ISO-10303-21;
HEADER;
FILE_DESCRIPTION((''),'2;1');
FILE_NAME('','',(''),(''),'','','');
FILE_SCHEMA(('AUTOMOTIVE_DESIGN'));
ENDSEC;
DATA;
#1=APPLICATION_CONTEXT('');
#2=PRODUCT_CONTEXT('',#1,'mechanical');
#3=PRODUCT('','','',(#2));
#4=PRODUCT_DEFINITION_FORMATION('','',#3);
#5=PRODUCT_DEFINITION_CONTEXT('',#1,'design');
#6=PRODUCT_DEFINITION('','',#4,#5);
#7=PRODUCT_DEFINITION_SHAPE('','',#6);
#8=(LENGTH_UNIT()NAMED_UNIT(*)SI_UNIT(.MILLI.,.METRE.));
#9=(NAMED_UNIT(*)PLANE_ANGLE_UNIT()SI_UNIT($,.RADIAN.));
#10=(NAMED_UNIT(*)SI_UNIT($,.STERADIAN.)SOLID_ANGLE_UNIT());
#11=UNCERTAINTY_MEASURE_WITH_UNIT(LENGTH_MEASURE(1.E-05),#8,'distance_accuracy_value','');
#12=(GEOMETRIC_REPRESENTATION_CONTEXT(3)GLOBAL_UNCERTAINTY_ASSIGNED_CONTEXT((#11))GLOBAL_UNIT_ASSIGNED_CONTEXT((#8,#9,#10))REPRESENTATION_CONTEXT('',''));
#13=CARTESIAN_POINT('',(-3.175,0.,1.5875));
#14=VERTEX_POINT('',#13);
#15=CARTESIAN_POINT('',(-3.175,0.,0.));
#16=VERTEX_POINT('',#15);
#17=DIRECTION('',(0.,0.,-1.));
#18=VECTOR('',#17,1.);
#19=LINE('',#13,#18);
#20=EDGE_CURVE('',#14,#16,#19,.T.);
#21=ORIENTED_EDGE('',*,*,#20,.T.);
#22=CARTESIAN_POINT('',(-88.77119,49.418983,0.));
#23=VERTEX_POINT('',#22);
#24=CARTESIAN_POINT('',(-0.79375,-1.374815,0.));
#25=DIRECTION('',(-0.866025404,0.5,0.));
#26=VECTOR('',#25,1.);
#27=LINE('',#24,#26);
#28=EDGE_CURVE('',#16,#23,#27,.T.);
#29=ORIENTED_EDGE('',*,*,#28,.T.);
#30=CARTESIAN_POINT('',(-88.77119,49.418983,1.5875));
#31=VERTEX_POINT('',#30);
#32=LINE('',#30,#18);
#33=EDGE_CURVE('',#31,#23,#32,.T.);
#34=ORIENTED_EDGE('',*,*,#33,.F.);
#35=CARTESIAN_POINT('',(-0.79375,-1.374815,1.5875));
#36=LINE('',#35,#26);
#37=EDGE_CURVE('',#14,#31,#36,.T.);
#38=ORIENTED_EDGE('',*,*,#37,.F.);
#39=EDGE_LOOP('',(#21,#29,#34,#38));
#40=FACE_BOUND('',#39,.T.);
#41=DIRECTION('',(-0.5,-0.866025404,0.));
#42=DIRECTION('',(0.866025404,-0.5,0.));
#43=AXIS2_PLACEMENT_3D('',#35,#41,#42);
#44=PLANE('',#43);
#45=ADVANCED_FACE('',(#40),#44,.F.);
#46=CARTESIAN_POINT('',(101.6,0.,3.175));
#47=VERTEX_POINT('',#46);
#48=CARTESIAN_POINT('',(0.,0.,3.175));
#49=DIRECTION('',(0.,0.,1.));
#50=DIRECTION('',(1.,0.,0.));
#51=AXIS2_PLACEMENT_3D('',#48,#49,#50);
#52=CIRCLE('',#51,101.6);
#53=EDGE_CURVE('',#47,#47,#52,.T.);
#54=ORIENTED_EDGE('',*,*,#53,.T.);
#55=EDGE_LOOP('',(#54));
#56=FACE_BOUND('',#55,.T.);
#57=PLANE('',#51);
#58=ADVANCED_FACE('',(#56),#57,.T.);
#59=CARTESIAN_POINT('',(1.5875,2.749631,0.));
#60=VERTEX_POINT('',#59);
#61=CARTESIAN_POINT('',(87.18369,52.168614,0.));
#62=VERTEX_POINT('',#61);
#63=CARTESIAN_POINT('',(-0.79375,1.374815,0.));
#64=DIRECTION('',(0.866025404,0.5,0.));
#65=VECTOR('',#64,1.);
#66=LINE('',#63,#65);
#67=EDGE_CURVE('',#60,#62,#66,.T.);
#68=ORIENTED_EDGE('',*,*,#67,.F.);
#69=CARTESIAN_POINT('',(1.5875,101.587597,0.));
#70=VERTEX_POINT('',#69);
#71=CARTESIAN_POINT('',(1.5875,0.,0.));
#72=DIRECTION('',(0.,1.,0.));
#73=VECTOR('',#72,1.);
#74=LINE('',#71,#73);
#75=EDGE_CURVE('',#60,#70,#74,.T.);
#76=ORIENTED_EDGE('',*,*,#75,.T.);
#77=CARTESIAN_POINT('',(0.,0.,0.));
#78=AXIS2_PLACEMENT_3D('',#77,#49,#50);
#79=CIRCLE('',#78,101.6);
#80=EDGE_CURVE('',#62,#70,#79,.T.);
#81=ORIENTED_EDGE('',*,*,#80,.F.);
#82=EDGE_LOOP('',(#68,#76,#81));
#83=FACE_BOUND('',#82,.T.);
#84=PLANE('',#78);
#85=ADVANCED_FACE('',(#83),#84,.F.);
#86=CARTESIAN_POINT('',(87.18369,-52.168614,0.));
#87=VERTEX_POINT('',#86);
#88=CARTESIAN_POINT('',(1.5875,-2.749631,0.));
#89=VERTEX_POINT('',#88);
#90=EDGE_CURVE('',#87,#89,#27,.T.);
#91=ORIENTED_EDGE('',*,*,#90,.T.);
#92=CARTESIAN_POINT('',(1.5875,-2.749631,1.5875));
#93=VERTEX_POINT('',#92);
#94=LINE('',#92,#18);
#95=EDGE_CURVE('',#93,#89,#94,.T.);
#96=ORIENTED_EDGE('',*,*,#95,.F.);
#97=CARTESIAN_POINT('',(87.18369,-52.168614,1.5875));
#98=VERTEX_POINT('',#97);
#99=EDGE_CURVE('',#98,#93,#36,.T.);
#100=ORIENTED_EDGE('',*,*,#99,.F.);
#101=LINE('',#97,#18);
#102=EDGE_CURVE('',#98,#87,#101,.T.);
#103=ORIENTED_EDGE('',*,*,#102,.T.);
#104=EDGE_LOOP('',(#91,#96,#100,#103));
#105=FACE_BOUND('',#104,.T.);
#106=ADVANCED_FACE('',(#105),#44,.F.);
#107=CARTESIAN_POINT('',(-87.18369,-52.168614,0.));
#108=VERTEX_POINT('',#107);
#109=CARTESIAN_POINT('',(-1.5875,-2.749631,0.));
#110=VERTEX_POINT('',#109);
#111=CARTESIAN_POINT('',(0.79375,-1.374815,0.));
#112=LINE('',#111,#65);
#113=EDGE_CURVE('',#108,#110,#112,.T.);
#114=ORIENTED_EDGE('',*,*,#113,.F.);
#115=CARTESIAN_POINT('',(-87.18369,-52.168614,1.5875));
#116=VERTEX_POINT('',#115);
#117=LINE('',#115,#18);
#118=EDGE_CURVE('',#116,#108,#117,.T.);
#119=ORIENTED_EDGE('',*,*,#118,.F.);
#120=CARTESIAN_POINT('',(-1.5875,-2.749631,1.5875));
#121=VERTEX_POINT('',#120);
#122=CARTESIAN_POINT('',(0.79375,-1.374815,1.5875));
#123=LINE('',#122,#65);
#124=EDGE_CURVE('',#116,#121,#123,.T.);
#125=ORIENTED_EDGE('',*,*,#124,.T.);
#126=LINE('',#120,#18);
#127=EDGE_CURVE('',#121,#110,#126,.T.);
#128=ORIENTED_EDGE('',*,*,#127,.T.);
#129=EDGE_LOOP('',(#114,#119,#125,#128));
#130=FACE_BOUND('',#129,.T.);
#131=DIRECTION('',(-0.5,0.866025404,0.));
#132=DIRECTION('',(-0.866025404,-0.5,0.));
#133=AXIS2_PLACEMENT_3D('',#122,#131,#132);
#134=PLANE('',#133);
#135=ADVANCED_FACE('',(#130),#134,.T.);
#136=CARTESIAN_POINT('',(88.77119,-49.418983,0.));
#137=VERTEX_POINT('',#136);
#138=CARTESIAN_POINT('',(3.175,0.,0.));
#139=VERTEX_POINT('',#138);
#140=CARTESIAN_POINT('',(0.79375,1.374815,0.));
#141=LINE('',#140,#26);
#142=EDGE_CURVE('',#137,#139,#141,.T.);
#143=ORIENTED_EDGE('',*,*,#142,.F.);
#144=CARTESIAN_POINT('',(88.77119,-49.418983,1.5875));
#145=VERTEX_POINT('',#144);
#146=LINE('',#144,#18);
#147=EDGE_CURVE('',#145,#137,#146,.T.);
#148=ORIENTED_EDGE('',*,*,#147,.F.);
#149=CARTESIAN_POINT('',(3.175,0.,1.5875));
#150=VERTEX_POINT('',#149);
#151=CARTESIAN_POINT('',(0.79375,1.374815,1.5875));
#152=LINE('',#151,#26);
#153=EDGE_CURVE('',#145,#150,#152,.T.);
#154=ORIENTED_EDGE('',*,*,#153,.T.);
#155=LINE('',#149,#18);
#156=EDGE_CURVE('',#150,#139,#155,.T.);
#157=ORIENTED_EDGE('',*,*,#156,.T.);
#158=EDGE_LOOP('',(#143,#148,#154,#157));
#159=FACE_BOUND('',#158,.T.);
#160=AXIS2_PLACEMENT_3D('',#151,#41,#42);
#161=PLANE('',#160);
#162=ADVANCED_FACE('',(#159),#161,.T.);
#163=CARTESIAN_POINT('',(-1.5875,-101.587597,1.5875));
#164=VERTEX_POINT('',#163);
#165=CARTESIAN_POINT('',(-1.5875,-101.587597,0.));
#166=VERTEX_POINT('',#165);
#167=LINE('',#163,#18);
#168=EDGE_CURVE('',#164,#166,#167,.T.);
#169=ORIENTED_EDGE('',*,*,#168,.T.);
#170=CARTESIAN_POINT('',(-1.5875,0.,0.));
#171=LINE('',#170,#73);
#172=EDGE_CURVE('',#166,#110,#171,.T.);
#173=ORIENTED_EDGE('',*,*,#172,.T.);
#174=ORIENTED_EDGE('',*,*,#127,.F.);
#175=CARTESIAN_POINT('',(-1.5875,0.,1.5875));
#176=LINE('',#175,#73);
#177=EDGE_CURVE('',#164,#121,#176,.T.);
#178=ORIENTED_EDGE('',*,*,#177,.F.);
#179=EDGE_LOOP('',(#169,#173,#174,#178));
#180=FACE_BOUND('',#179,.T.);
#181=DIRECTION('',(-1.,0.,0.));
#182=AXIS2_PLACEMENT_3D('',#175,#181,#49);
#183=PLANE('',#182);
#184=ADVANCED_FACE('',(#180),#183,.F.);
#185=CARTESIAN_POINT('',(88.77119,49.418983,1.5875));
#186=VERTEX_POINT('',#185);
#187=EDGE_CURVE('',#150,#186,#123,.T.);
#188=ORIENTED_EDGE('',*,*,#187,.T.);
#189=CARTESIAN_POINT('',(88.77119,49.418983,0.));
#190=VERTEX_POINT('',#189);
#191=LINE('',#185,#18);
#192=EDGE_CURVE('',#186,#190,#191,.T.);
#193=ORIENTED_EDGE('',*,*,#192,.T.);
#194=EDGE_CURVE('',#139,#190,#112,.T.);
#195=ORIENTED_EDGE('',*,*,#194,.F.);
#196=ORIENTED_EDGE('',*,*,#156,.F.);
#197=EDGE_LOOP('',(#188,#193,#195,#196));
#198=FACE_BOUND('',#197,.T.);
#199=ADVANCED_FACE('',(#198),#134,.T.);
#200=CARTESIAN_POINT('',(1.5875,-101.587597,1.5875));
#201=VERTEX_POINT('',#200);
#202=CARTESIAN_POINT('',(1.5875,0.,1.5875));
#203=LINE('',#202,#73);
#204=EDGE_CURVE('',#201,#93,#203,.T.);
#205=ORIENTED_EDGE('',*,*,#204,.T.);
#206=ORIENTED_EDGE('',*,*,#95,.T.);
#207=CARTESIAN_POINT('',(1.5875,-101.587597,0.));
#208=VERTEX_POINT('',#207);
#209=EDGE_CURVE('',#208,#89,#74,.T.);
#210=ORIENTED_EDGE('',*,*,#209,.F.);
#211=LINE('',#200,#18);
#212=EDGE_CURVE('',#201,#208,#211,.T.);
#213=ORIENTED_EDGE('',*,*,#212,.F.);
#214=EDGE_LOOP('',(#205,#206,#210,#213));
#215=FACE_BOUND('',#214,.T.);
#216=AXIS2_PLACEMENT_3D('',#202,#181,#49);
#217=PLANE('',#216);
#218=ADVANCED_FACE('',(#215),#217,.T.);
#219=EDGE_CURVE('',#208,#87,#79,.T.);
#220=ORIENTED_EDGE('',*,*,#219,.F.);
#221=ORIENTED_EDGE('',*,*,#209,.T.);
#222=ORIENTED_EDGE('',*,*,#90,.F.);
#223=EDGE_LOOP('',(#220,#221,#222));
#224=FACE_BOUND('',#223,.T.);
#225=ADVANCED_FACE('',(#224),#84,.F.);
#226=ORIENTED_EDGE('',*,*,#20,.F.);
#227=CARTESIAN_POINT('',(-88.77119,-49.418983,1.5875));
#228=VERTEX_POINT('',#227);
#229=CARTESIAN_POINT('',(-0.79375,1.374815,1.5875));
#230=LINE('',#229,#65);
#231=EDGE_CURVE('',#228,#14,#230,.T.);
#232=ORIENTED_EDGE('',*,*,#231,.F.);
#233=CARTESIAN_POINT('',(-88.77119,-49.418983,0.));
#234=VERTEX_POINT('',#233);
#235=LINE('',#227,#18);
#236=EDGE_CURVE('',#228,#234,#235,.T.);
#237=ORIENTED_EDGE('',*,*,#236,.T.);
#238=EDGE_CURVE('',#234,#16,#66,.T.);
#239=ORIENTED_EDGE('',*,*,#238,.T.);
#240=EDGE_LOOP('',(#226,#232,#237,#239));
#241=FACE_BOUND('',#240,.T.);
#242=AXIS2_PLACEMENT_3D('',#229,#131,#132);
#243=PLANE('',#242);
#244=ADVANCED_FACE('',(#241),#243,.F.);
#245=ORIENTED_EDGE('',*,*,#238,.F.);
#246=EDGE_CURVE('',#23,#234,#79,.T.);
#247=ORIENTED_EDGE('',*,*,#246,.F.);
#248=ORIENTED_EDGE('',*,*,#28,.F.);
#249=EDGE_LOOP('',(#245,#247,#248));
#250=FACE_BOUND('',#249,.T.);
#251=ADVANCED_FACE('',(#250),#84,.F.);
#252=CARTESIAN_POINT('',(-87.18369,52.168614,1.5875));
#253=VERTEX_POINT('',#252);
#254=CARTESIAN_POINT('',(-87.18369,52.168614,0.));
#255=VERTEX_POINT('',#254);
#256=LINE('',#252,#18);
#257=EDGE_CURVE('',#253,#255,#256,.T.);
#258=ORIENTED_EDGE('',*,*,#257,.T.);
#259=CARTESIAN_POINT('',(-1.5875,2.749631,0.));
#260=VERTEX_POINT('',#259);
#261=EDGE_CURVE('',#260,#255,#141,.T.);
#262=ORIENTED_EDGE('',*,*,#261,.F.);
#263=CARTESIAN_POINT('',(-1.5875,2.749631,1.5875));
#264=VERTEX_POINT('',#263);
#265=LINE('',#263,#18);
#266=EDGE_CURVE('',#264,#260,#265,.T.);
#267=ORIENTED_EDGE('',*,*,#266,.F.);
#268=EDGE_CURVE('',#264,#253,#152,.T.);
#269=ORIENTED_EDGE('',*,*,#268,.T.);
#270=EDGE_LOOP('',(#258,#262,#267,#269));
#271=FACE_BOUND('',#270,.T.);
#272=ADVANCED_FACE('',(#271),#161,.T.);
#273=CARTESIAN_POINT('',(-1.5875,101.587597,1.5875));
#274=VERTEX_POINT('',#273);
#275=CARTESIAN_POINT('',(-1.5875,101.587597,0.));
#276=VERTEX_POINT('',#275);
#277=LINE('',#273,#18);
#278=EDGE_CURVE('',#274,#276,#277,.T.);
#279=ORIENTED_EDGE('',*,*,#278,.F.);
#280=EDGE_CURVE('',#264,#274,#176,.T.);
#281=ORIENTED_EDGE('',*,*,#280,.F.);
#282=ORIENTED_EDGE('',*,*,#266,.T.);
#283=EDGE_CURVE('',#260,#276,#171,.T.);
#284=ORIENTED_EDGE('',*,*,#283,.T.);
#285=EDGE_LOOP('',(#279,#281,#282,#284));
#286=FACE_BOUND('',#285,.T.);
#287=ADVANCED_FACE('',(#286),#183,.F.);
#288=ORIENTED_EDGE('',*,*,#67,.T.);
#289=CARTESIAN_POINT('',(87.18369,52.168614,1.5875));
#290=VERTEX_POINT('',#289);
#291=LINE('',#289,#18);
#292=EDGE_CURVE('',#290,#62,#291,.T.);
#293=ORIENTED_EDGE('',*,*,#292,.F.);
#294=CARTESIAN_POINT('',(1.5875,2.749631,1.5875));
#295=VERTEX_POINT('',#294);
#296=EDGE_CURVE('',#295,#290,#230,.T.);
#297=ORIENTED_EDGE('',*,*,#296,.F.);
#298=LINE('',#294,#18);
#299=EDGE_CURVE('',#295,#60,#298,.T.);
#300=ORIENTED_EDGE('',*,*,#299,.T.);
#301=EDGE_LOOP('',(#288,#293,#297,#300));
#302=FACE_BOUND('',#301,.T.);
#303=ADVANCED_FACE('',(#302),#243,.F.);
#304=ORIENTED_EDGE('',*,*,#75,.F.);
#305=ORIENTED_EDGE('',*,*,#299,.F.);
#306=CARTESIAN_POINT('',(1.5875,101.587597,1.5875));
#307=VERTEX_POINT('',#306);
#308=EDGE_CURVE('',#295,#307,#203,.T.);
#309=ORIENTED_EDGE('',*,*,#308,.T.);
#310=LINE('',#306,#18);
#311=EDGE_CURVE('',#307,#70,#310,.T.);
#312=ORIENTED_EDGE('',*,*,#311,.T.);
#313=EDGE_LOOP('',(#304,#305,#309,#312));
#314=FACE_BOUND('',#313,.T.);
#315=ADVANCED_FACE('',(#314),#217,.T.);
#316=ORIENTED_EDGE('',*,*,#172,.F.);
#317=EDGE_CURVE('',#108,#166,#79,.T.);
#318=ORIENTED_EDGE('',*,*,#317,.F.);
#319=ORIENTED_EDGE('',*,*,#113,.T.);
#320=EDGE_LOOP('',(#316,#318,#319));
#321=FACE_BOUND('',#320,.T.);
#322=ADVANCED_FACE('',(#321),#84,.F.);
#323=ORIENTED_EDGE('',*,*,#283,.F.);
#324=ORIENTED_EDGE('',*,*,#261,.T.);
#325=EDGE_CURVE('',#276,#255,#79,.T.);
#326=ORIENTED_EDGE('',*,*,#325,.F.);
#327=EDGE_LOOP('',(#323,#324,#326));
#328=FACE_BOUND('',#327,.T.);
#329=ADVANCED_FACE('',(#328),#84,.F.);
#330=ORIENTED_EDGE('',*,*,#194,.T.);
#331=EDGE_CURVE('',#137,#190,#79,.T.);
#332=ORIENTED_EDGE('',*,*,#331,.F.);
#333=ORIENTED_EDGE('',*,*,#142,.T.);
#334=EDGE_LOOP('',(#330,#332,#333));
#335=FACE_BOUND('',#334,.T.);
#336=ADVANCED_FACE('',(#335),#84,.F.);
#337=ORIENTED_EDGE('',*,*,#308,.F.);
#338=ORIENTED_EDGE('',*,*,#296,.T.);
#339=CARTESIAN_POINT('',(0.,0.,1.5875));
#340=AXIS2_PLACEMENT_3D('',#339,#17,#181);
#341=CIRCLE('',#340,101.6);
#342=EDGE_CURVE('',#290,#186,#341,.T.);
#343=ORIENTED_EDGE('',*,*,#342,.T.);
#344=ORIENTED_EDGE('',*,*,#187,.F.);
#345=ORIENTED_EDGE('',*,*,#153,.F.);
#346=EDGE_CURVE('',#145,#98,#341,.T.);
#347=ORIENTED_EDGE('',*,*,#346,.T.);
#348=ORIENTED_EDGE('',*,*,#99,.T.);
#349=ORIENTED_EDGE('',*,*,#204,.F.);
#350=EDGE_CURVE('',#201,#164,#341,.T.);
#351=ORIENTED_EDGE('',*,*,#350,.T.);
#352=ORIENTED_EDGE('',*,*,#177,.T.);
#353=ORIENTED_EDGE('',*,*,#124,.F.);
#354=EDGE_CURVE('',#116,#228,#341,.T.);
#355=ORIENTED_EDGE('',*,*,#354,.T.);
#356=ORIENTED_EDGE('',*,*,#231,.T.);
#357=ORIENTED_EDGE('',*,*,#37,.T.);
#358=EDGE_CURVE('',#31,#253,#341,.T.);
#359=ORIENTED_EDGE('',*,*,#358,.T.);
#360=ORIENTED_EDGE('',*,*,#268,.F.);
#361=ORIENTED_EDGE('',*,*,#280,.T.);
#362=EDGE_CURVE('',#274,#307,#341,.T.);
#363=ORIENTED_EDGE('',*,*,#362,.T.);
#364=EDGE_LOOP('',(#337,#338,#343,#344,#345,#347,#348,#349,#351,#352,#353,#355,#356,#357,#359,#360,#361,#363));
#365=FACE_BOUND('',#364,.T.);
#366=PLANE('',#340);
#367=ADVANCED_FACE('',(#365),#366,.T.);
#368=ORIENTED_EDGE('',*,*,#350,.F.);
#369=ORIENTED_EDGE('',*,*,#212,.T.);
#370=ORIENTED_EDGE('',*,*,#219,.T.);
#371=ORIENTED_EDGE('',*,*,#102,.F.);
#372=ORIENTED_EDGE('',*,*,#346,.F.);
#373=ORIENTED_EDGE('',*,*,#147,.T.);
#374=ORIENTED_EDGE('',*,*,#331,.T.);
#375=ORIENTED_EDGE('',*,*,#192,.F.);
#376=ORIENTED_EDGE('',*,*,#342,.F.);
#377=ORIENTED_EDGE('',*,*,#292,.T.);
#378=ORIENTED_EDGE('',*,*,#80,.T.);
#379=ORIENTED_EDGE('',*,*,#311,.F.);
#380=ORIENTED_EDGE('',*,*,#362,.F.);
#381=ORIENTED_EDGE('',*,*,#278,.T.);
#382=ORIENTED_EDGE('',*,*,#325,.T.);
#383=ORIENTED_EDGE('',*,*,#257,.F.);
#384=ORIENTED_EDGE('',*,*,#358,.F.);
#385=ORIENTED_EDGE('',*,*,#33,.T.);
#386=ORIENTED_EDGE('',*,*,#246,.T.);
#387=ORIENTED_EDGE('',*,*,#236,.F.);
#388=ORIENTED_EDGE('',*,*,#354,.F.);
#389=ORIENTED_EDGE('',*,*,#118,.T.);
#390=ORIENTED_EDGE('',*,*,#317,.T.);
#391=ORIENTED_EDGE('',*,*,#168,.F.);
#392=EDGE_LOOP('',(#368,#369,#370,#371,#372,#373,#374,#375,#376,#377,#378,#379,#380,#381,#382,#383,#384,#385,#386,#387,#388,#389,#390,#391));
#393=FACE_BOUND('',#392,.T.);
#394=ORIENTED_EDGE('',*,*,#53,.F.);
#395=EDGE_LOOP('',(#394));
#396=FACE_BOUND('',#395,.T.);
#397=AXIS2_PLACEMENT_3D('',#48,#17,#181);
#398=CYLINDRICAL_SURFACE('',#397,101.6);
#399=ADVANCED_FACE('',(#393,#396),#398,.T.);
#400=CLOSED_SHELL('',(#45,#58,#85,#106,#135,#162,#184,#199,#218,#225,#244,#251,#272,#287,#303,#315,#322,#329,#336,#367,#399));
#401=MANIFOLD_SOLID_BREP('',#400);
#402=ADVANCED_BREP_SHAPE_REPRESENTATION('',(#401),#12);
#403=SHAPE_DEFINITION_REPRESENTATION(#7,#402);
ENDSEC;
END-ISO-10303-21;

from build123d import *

# Parameters (mm, degrees)
SKETCH1_R           = 101.6
BOSS_EXTRUDE1_DEPTH = 3.175
CUT_EXTRUDE3_DEPTH  = 1.5875


with BuildPart() as part:
    # Sketch1 → Boss-Extrude1 (new body)
    with BuildSketch(Plane.XY):
        Circle(SKETCH1_R)
    extrude(amount=BOSS_EXTRUDE1_DEPTH)

    # Sketch2 → Cut-Extrude3 (cut)
    with BuildSketch(Plane(origin=(0, 0, 0), x_dir=(-1, 0, 0), z_dir=(0, 0, -1))):
        with BuildLine():
            ThreePointArc((-88.771189624, -49.418983121), (-87.988181024, -50.8), (-87.183689624, -52.168613778))
            Line((-87.183689624, -52.168613778), (-1.5875, -2.749630657))
            Line((-1.5875, -2.749630657), (-1.5875, -0.916543552))
            Line((-1.5875, -0.916543552), (-3.175, 0))
            Line((-3.175, 0), (-88.771189624, -49.418983121))
        make_face()
        Polygon((-1.5875, -0.916543552), (-1.5875, -2.749630657), (0, -1.833087105), align=None)
        Polygon((-1.5875, -0.916543552), (0, -1.833087105), (1.5875, -0.916543552), (1.5875, 0.916543552), (0, 1.833087105), (-1.5875, 0.916543552), align=None)
        Polygon((1.5875, -0.916543552), (0, -1.833087105), (1.5875, -2.749630657), align=None)
        Polygon((-3.175, 0), (-1.5875, -0.916543552), (-1.5875, 0.916543552), align=None)
        Polygon((-1.5875, 2.749630657), (-1.5875, 0.916543552), (0, 1.833087105), align=None)
        Polygon((0, 1.833087105), (1.5875, 0.916543552), (1.5875, 2.749630657), align=None)
        Polygon((1.5875, 0.916543552), (1.5875, -0.916543552), (3.175, 0), align=None)
        with BuildLine():
            Line((1.5875, 0.916543552), (3.175, 0))
            Line((3.175, 0), (88.771189624, 49.418983121))
            ThreePointArc((88.771189624, 49.418983121), (87.988181024, 50.8), (87.183689624, 52.168613778))
            Line((87.183689624, 52.168613778), (1.5875, 2.749630657))
            Line((1.5875, 2.749630657), (1.5875, 0.916543552))
        make_face()
        with BuildLine():
            Line((3.175, 0), (1.5875, -0.916543552))
            Line((1.5875, -0.916543552), (1.5875, -2.749630657))
            Line((1.5875, -2.749630657), (87.183689624, -52.168613778))
            ThreePointArc((87.183689624, -52.168613778), (87.988181024, -50.8), (88.771189624, -49.418983121))
            Line((88.771189624, -49.418983121), (3.175, 0))
        make_face()
        with BuildLine():
            Line((-1.5875, 2.749630657), (0, 1.833087105))
            Line((0, 1.833087105), (1.5875, 2.749630657))
            Line((1.5875, 2.749630657), (1.5875, 101.587596899))
            ThreePointArc((1.5875, 101.587596899), (0, 101.6), (-1.5875, 101.587596899))
            Line((-1.5875, 101.587596899), (-1.5875, 2.749630657))
        make_face()
        with BuildLine():
            Line((-88.771189624, 49.418983121), (-3.175, 0))
            Line((-3.175, 0), (-1.5875, 0.916543552))
            Line((-1.5875, 0.916543552), (-1.5875, 2.749630657))
            Line((-1.5875, 2.749630657), (-87.183689624, 52.168613778))
            ThreePointArc((-87.183689624, 52.168613778), (-87.988181024, 50.8), (-88.771189624, 49.418983121))
        make_face()
        with BuildLine():
            Line((0, -1.833087105), (-1.5875, -2.749630657))
            Line((-1.5875, -2.749630657), (-1.5875, -101.587596899))
            ThreePointArc((-1.5875, -101.587596899), (0, -101.6), (1.5875, -101.587596899))
            Line((1.5875, -101.587596899), (1.5875, -2.749630657))
            Line((1.5875, -2.749630657), (0, -1.833087105))
        make_face()
    extrude(amount=-CUT_EXTRUDE3_DEPTH, mode=Mode.SUBTRACT)


solid = part.part
